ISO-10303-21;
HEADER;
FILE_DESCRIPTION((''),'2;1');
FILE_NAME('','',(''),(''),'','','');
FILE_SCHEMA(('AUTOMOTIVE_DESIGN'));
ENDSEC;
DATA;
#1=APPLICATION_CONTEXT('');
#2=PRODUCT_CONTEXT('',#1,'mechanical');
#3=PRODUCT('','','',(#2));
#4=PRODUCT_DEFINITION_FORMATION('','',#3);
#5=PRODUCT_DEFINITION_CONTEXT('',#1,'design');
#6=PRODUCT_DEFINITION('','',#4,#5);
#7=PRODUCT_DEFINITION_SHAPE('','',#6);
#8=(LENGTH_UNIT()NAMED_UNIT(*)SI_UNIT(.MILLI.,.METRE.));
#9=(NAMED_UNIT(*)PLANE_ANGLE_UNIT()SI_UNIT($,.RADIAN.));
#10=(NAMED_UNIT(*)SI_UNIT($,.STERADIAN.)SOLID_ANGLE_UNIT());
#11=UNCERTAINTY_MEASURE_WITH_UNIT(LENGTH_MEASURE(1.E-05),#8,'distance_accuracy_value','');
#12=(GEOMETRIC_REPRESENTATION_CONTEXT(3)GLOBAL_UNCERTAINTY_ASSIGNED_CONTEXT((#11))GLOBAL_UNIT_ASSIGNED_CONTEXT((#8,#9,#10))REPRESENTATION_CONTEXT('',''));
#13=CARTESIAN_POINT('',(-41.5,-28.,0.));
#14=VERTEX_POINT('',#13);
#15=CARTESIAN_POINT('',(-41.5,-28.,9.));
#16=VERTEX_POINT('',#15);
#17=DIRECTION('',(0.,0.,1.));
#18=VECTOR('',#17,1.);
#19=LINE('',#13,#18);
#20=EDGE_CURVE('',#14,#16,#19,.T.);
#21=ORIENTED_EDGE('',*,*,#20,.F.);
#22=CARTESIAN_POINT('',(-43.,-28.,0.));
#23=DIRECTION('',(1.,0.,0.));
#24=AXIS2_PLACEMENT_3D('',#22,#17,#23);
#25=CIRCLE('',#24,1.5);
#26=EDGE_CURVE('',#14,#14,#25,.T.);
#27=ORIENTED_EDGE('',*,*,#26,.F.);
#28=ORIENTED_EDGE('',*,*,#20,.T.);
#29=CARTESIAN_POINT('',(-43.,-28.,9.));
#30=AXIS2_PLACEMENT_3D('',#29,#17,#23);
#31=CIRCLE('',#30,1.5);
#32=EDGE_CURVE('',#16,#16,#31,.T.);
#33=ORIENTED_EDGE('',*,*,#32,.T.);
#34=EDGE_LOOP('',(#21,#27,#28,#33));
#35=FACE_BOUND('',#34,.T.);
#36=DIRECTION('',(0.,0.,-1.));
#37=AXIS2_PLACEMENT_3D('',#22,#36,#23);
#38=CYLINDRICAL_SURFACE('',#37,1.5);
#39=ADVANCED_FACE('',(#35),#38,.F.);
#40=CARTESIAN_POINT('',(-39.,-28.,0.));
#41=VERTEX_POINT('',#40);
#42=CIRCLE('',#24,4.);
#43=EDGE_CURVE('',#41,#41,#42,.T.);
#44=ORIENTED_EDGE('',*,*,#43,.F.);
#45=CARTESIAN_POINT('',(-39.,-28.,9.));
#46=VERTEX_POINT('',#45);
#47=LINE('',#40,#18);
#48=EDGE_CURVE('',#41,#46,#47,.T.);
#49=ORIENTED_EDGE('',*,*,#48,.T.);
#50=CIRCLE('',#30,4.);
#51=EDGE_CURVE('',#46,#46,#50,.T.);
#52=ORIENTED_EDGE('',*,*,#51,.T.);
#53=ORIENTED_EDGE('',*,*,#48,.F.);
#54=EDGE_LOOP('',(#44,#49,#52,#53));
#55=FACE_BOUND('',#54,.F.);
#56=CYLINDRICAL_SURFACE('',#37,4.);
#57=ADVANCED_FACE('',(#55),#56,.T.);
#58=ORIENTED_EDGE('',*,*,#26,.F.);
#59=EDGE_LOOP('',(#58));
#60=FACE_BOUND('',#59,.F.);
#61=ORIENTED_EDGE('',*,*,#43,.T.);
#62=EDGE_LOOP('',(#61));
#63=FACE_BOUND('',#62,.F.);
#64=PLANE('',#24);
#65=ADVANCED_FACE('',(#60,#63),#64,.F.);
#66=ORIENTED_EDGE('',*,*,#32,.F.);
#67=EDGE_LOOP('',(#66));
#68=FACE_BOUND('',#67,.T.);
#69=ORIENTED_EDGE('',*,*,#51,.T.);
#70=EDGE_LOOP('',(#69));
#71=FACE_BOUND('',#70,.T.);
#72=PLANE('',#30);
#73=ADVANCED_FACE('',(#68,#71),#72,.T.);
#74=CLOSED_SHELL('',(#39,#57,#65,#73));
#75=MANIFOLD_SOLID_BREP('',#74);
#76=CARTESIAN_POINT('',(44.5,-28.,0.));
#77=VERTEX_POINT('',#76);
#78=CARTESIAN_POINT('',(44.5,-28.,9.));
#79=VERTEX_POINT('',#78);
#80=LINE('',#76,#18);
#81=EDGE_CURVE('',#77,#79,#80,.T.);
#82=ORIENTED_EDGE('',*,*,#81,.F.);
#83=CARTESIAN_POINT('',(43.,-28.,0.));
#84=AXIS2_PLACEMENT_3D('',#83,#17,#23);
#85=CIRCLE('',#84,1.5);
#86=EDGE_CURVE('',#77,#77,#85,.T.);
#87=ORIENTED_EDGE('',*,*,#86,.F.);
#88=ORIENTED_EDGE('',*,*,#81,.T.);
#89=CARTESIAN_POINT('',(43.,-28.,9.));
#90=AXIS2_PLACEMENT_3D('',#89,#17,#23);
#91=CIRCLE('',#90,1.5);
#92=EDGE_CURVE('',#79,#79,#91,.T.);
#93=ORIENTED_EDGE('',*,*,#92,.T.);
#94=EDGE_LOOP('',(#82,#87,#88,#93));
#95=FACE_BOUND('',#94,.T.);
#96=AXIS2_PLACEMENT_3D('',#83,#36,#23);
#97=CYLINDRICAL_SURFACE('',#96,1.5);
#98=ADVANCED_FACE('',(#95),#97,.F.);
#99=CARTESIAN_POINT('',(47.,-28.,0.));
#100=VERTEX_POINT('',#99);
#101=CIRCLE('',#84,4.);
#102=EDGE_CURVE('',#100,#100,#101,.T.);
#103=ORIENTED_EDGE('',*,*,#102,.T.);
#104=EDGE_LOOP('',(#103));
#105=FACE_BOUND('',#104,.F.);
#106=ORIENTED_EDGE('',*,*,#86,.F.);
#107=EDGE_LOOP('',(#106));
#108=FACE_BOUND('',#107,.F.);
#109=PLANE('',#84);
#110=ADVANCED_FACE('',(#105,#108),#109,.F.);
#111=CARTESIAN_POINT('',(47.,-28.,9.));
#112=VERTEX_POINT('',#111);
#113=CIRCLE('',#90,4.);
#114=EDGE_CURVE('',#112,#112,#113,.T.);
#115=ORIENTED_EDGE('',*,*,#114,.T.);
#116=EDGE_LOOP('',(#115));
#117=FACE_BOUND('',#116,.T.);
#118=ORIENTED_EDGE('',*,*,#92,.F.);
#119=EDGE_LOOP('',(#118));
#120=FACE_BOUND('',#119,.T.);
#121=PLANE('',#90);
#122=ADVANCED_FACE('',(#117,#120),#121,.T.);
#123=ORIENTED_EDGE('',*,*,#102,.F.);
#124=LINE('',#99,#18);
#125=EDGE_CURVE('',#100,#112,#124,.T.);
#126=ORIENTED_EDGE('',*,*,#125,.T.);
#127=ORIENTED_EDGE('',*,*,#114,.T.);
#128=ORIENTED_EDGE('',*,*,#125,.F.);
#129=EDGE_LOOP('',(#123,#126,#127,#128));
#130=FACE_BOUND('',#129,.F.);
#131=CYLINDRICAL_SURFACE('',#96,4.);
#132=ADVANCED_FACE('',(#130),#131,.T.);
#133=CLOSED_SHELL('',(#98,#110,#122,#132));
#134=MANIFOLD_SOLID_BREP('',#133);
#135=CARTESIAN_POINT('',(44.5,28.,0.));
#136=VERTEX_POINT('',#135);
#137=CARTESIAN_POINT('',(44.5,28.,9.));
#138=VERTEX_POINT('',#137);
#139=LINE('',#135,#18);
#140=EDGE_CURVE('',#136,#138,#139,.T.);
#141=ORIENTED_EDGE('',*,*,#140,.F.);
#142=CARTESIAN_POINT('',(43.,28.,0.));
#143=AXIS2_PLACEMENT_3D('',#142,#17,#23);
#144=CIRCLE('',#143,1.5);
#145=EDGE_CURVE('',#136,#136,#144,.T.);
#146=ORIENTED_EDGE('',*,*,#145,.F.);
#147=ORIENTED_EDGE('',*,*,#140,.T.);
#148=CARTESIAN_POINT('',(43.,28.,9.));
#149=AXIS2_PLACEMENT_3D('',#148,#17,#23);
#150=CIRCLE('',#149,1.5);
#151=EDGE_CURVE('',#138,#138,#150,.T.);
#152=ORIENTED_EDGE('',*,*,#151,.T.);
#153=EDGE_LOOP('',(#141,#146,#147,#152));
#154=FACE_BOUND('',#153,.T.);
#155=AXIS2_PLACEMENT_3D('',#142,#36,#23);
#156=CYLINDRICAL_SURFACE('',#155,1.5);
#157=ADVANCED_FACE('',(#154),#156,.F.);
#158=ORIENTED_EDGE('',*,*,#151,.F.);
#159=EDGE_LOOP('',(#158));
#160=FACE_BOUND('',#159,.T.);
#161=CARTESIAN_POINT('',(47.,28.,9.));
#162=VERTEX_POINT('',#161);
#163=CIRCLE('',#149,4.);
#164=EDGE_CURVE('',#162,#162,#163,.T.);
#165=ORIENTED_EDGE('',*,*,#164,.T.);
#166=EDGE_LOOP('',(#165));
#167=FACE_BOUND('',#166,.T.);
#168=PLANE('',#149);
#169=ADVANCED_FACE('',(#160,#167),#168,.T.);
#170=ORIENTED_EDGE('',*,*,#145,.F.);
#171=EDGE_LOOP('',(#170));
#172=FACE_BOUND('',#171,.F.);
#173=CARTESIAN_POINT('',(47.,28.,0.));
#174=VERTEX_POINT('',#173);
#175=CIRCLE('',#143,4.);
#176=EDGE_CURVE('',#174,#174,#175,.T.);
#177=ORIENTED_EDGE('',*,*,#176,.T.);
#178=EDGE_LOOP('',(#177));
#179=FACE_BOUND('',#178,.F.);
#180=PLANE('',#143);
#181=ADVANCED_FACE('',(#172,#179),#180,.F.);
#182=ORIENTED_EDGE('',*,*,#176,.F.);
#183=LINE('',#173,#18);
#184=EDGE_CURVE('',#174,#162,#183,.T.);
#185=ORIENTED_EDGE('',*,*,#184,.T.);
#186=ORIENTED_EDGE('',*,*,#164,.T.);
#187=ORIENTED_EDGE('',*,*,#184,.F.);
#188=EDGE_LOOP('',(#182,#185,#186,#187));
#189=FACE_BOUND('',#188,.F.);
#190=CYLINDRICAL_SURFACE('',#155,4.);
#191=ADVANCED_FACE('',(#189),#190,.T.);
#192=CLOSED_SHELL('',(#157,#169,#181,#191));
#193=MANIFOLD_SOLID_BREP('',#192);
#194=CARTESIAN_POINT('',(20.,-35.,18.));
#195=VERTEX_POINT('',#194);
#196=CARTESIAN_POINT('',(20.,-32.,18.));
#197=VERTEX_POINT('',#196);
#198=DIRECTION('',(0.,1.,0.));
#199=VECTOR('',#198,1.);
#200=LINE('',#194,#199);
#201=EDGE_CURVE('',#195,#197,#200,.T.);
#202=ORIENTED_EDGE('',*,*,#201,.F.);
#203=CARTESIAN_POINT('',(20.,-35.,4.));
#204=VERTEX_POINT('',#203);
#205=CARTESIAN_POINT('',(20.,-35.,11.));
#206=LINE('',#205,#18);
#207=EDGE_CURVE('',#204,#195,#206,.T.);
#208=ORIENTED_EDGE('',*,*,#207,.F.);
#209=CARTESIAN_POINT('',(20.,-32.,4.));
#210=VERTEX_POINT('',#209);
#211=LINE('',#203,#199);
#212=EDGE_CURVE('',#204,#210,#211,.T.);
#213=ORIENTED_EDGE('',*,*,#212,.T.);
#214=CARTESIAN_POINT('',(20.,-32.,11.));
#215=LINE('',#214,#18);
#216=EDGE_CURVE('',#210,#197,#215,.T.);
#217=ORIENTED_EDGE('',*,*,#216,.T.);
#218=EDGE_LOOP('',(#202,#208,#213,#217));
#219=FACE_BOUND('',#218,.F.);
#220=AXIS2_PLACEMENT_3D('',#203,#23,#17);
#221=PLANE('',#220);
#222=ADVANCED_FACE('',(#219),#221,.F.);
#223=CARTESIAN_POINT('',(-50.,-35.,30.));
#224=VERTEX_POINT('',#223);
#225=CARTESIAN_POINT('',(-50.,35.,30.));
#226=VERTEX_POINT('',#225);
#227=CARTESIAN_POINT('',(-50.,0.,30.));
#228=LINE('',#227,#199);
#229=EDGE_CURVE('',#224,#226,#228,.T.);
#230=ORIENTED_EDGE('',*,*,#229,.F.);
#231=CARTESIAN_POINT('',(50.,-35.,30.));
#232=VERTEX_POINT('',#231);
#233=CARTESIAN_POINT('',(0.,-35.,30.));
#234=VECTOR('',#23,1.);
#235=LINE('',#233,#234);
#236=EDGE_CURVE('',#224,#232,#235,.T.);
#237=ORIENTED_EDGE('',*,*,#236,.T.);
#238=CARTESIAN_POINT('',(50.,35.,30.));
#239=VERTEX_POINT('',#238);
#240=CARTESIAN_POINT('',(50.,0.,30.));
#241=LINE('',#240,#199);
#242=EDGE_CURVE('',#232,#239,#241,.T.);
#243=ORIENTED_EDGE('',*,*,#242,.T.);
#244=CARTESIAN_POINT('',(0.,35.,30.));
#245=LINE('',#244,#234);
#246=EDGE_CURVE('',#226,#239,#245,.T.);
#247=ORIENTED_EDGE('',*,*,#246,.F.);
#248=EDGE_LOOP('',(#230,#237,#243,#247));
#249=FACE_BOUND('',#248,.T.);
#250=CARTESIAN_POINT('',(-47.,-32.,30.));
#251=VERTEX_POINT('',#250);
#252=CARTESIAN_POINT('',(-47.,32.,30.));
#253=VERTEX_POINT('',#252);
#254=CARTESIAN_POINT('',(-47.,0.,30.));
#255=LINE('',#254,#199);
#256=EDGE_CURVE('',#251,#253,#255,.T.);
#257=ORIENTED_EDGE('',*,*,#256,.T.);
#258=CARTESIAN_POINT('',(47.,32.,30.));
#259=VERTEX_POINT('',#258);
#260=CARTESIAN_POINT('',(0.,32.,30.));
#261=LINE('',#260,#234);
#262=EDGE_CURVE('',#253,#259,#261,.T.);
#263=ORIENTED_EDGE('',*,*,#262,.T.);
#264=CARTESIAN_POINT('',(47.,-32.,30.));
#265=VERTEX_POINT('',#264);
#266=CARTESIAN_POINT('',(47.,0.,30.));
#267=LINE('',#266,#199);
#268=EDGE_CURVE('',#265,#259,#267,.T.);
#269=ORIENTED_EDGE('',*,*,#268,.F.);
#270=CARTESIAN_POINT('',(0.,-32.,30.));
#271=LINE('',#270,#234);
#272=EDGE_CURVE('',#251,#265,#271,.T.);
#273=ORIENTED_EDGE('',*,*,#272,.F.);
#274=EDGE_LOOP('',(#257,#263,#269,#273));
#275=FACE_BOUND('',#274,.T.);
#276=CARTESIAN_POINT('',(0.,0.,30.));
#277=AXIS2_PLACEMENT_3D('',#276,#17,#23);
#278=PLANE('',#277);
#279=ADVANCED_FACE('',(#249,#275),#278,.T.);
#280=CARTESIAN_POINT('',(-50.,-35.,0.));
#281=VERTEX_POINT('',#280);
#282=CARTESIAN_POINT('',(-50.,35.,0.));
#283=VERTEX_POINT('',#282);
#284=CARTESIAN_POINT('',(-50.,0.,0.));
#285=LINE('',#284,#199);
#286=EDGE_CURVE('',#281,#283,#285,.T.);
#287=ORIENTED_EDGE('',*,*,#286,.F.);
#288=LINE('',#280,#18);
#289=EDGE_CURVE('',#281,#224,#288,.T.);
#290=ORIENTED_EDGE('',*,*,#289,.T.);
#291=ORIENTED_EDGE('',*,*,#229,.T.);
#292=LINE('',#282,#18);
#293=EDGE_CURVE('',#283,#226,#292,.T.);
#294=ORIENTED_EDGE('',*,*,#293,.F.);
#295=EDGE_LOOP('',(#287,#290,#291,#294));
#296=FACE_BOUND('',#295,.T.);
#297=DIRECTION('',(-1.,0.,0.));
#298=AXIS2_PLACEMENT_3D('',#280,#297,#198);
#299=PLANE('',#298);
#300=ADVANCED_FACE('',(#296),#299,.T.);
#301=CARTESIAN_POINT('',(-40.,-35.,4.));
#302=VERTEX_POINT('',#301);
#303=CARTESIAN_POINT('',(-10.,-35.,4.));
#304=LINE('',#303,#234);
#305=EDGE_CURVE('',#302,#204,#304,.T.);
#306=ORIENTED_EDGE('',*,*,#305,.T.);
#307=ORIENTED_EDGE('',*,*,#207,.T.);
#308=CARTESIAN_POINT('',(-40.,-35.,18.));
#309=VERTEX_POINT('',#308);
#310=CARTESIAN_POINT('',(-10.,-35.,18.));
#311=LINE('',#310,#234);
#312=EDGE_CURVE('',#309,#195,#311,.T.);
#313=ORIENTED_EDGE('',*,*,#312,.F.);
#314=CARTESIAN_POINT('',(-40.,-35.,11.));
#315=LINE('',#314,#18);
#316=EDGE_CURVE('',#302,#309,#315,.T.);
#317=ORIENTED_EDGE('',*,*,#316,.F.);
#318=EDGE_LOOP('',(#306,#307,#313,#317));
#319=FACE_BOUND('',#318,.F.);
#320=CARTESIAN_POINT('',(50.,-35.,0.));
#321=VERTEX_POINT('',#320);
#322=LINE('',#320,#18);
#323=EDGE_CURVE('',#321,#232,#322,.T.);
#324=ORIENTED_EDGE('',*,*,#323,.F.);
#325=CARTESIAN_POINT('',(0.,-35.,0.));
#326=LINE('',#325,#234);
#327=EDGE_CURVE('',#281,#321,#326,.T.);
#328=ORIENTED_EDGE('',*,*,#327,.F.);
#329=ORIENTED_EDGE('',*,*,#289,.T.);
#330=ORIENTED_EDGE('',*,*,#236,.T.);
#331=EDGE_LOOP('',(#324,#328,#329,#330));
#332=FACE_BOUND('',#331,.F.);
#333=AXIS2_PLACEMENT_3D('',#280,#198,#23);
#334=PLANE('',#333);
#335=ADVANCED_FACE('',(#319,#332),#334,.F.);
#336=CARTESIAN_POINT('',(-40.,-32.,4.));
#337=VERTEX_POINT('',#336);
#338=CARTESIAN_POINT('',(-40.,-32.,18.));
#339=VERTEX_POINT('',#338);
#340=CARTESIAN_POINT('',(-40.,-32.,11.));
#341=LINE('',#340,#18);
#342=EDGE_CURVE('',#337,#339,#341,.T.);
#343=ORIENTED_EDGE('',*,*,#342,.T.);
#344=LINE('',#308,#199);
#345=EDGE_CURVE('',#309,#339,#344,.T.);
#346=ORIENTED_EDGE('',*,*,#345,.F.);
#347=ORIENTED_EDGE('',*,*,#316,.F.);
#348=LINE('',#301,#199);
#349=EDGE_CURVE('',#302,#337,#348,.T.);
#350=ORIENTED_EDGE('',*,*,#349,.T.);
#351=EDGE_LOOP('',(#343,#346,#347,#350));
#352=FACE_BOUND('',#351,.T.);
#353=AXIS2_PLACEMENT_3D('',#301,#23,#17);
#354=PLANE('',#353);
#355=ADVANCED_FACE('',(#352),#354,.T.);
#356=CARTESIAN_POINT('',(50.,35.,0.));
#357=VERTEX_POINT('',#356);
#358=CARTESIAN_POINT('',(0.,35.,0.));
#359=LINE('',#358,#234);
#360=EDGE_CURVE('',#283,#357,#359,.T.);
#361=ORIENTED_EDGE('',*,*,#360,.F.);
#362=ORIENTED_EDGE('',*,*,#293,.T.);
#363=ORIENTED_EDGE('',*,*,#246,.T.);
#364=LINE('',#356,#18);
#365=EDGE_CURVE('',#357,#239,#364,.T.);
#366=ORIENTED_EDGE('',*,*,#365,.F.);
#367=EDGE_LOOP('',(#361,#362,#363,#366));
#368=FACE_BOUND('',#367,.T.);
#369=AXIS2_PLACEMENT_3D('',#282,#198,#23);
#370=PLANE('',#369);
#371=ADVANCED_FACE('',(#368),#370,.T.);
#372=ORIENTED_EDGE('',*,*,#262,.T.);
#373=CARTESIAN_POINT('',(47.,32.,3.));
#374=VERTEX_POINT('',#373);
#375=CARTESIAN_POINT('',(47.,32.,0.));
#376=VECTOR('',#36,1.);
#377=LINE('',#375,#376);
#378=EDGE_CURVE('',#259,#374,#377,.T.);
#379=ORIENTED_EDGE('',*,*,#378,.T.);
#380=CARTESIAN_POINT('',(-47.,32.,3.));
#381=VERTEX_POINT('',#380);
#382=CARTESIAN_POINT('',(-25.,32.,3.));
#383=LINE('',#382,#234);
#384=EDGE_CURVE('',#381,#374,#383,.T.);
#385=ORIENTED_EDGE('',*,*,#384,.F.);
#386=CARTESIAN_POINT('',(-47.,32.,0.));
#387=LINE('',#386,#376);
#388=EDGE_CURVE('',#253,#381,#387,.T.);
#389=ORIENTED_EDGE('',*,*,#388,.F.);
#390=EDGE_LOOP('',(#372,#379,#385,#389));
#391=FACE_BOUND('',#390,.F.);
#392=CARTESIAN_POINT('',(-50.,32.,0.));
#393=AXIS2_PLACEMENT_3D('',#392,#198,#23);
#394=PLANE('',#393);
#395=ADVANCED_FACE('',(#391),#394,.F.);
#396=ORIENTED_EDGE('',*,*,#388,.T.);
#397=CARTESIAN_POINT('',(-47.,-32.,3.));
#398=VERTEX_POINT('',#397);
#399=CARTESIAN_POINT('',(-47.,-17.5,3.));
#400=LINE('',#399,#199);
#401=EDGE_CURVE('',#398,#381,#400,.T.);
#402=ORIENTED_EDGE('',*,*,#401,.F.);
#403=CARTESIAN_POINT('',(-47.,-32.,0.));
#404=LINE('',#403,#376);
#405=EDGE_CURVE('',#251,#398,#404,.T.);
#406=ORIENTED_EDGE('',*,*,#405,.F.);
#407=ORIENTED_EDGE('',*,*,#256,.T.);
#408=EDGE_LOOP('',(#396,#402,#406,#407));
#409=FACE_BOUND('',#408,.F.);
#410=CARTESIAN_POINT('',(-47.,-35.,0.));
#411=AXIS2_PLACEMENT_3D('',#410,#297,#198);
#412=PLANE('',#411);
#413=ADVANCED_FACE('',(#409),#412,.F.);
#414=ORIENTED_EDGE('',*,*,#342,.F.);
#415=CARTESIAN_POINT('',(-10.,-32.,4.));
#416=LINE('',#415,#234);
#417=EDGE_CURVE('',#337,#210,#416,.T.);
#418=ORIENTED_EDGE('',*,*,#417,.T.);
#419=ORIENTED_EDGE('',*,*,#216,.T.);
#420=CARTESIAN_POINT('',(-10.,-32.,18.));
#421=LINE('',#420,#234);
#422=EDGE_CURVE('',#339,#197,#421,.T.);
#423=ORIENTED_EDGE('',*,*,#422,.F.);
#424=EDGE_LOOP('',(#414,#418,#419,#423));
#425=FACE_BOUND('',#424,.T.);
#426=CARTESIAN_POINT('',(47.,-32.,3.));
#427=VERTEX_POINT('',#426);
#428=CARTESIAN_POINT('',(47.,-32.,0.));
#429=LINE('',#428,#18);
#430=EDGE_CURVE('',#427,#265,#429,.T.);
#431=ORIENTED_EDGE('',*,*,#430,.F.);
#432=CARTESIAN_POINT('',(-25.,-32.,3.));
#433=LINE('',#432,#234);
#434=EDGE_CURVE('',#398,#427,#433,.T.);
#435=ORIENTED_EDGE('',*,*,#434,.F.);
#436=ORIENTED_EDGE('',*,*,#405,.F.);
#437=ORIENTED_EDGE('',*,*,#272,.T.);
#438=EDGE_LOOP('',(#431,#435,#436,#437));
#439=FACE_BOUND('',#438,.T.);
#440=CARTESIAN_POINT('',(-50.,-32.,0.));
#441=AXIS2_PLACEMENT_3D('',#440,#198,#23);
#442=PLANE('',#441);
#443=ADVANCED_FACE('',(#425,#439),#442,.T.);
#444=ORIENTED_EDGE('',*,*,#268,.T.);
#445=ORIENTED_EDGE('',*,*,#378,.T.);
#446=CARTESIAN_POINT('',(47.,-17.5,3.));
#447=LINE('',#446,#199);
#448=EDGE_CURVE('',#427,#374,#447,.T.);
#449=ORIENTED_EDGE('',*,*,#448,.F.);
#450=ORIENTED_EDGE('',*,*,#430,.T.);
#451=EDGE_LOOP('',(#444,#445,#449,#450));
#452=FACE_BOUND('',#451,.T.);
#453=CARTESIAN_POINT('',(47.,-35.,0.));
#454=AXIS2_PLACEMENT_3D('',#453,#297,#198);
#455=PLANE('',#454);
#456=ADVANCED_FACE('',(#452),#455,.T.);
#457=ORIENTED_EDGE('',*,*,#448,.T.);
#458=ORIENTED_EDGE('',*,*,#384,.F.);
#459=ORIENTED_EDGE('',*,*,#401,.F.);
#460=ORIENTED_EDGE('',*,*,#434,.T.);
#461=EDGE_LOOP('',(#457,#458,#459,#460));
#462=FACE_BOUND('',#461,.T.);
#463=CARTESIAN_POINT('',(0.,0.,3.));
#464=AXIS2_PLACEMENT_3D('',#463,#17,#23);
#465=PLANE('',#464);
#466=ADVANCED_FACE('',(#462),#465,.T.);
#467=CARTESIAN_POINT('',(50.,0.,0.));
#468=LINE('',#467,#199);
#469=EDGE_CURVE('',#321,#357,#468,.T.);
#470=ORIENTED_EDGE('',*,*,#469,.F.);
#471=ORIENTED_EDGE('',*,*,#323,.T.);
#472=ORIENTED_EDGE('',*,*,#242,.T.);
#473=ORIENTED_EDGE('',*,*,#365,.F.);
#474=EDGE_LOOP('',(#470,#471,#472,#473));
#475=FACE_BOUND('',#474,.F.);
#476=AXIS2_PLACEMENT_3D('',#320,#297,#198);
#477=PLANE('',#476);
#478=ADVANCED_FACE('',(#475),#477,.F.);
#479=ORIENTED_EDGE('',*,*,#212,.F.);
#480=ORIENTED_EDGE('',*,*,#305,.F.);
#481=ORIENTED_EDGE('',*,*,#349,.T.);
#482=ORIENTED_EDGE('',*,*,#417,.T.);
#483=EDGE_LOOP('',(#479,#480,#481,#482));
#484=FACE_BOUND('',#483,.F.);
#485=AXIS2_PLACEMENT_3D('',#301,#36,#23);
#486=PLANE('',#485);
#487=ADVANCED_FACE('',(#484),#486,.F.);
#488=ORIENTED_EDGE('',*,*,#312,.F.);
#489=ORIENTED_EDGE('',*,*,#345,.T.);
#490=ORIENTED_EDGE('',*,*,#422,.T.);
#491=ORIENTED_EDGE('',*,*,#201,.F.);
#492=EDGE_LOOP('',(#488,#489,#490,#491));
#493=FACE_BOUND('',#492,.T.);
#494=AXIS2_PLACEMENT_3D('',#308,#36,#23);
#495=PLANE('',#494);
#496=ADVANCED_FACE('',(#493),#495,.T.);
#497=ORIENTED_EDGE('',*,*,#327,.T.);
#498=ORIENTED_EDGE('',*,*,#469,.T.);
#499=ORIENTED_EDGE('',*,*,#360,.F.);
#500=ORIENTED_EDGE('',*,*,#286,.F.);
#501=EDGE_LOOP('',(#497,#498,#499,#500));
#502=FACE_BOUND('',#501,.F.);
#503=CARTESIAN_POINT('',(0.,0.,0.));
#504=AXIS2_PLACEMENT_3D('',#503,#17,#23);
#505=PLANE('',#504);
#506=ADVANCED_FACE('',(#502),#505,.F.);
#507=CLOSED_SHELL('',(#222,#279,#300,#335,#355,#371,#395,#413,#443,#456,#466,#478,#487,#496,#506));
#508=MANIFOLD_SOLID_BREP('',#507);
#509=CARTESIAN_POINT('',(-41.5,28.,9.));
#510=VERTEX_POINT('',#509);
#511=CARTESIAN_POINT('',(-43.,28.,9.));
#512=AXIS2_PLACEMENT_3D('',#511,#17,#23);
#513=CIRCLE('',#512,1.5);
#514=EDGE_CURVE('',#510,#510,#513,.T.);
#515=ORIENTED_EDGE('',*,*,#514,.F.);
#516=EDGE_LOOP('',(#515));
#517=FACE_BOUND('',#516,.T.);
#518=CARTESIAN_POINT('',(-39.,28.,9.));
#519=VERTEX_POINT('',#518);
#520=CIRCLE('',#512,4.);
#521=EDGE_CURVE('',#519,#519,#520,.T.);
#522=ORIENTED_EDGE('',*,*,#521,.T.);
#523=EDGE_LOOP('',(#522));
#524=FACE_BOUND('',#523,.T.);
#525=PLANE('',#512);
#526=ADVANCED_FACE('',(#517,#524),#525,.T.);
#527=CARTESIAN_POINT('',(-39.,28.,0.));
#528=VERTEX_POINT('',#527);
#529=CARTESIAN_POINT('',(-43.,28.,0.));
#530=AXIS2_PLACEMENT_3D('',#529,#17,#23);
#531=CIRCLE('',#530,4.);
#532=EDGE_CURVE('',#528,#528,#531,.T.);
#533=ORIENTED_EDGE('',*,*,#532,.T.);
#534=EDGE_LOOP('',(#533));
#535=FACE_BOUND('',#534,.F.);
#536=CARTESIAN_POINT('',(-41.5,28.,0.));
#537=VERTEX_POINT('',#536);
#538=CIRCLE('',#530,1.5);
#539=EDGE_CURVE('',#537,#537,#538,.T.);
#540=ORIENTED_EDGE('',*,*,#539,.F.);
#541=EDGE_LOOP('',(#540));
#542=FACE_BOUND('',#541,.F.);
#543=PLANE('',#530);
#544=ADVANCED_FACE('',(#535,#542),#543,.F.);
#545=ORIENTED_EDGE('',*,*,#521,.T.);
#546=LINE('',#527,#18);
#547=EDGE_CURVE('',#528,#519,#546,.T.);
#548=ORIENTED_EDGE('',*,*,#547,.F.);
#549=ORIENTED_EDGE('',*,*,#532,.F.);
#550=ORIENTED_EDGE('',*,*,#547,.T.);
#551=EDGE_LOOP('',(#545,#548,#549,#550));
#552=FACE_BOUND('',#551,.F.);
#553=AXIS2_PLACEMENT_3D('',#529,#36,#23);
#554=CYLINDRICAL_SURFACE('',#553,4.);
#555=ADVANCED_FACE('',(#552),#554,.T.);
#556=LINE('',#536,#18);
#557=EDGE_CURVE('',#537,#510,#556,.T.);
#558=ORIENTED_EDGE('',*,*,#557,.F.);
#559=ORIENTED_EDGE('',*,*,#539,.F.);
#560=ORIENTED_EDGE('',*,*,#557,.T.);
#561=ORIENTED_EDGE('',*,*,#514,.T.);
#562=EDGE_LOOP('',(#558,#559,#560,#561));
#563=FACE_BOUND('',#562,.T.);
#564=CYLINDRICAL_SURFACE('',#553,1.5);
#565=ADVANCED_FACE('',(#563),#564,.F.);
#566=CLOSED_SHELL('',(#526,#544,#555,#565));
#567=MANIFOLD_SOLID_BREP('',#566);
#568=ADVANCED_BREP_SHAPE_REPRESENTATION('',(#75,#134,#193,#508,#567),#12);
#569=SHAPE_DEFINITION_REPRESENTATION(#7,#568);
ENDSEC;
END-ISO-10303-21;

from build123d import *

# Parameters (mm, degrees)
F0_W     = 100
F0_H     = 70
F1_DEPTH = 30
F2_T     = -3
F3_R     = 4
F3_R_2   = 1.5
F4_DEPTH = 9
F5_W     = 60
F5_H     = 14
F6_DEPTH = 3


with BuildPart() as f1:
    # F0 (on Top) → F1 (new body)
    with BuildSketch(Plane.XY):
        Rectangle(F0_W, F0_H)
    extrude(amount=F1_DEPTH)

    # F2
    f2_openings = [f1.faces().sort_by_distance(p)[0] for p in [
        (0, 0, 30),
    ]]
    offset(amount=F2_T, openings=f2_openings)

    # F5 (on face) → F6 (cut)
    with BuildSketch(Plane.XZ.offset(35)):
        with Locations((-10, 11)):
            Rectangle(F5_W, F5_H)
    extrude(amount=-F6_DEPTH, mode=Mode.SUBTRACT)


with BuildPart() as f4:
    # F3 (on Top) → F4 (new body)
    with BuildSketch(Plane.XY):
        with Locations((-43, 28)):
            Circle(F3_R)
        with Locations((-43, 28)):
            Circle(F3_R_2, mode=Mode.SUBTRACT)
        with Locations((43, 28)):
            Circle(F3_R)
        with Locations((43, 28)):
            Circle(F3_R_2, mode=Mode.SUBTRACT)
        with Locations((43, -28)):
            Circle(F3_R)
        with Locations((43, -28)):
            Circle(F3_R_2, mode=Mode.SUBTRACT)
        with Locations((-43, -28)):
            Circle(F3_R)
        with Locations((-43, -28)):
            Circle(F3_R_2, mode=Mode.SUBTRACT)
    extrude(amount=F4_DEPTH)


solid = Compound([f1.part, f4.part])
